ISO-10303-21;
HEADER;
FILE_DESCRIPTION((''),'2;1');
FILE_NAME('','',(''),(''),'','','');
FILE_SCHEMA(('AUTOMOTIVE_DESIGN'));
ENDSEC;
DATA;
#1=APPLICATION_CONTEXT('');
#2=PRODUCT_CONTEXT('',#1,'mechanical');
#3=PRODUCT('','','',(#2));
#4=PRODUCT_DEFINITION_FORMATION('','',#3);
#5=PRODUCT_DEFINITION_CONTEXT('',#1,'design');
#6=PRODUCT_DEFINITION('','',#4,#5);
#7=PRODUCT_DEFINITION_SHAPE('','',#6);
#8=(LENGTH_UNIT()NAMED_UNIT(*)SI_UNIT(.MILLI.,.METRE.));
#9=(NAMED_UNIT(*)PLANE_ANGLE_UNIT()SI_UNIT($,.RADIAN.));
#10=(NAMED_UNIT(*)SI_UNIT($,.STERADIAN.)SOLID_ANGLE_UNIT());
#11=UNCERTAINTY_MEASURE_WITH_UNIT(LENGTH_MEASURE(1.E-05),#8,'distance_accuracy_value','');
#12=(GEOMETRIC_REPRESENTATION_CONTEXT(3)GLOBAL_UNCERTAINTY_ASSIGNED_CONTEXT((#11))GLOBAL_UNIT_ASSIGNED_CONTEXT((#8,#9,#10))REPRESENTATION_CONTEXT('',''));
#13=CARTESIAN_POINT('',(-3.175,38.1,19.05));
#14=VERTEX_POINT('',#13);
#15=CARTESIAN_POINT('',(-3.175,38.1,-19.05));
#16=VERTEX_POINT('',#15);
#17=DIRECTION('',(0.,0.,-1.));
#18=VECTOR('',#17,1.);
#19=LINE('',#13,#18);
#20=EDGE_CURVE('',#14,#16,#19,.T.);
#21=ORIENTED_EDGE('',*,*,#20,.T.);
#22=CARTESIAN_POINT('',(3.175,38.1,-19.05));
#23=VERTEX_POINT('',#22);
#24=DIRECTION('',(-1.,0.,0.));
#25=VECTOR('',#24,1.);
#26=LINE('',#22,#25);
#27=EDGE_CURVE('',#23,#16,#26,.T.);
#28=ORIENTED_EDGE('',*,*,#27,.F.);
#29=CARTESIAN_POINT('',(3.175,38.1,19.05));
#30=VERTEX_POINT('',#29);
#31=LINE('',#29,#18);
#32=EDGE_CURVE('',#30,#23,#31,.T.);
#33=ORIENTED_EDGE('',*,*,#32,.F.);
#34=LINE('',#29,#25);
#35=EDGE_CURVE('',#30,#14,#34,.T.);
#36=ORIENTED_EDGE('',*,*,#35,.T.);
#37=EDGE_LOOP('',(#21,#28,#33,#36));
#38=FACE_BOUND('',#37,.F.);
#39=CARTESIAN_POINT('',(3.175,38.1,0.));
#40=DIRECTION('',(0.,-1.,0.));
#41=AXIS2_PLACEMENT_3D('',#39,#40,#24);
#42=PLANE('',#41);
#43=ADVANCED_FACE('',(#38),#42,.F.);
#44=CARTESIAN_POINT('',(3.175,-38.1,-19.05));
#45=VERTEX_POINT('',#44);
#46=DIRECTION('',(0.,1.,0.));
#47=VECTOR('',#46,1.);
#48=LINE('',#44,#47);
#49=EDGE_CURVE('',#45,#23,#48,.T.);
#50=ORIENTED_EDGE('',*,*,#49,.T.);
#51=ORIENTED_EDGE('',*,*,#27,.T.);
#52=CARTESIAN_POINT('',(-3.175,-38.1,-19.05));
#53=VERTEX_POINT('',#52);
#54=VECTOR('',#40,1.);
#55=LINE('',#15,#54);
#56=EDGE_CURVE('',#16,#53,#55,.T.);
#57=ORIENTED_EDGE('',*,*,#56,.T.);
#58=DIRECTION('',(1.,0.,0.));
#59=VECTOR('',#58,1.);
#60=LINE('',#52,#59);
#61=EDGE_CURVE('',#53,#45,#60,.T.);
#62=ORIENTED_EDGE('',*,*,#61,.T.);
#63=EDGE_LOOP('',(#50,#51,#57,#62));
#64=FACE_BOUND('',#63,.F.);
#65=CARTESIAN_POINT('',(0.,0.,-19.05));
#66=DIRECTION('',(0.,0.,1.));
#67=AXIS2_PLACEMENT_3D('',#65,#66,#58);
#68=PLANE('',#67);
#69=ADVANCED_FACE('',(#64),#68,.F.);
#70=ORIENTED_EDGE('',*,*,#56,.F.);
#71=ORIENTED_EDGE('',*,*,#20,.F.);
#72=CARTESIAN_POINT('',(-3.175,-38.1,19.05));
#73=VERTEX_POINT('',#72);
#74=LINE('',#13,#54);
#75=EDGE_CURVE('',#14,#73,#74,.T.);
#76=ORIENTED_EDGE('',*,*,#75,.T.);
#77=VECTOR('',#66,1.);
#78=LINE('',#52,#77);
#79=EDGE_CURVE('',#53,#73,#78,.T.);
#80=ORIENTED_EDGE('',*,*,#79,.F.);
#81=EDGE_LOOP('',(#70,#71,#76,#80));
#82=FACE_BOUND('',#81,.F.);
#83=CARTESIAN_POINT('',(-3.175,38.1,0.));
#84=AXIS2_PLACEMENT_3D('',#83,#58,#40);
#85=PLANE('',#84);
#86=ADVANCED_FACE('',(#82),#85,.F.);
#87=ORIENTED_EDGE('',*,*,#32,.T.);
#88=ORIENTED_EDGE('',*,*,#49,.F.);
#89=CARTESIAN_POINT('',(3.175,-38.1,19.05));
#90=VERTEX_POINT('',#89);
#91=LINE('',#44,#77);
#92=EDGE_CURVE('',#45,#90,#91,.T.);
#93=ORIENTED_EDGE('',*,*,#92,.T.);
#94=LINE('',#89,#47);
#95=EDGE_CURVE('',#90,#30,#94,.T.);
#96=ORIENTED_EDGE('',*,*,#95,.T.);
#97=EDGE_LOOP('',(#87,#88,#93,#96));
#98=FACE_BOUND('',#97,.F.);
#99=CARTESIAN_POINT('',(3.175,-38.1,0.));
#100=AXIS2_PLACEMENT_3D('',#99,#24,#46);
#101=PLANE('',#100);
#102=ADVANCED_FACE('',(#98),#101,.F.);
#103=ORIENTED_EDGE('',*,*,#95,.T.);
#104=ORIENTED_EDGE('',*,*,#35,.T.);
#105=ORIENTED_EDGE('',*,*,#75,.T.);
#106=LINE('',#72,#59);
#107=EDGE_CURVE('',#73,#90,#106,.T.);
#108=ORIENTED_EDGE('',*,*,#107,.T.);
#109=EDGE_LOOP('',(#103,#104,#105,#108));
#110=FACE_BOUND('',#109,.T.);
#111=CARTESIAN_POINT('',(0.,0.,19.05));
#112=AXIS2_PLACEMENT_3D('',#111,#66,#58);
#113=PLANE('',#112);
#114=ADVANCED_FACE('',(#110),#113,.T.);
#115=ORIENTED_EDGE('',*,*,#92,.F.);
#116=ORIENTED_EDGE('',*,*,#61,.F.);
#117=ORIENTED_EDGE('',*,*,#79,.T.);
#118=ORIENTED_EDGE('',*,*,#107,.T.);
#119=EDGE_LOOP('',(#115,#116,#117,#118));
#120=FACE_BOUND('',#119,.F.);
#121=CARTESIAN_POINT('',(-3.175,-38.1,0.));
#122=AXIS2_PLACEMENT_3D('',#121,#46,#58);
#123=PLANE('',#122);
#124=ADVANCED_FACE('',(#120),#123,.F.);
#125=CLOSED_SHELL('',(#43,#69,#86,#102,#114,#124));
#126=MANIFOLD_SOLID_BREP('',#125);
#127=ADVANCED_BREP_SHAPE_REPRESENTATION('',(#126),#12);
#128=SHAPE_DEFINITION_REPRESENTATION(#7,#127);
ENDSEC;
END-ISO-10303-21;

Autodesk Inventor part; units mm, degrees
ref_plane "YZ Plane" through (0, 0, 0) normal (1, 0, 0) x (0, 1, 0)
ref_plane "XZ Plane" through (0, 0, 0) normal (0, 1, 0) x (-1, 0, 0)
ref_plane "XY Plane" through (0, 0, 0) normal (0, 0, 1) x (1, 0, 0)
sketch "Sketch1" plane through (0, 0, 0) normal (0, 0, 1) x (1, 0, 0)
  line L0 (-3.175, -38.1) -> (3.175, -38.1)
  line L1 (3.175, -38.1) -> (3.175, 38.1)
  line L2 (3.175, 38.1) -> (-3.175, 38.1)
  line L3 (-3.175, 38.1) -> (-3.175, -38.1)
  line L4 (-3.175, -38.1) -> (3.175, 38.1) construction
  line L5 (3.175, -38.1) -> (-3.175, 38.1) construction
  point P0 (0, 0)
  dimension "d11" = 6.35
  dimension "d12" = 76.2
extrude "Extrusion5" add sketch "Sketch1" along normal mid plane 38.1
equation "\"d12\" = length"
equation "\"d17\" = longSide"
equation "\"width\" = 19.05"
equation "\"longSide\" = 38.1"
equation "\"length\" = 76.2"
properties part number "bottomOfShooter" material "Aluminum 6061"
